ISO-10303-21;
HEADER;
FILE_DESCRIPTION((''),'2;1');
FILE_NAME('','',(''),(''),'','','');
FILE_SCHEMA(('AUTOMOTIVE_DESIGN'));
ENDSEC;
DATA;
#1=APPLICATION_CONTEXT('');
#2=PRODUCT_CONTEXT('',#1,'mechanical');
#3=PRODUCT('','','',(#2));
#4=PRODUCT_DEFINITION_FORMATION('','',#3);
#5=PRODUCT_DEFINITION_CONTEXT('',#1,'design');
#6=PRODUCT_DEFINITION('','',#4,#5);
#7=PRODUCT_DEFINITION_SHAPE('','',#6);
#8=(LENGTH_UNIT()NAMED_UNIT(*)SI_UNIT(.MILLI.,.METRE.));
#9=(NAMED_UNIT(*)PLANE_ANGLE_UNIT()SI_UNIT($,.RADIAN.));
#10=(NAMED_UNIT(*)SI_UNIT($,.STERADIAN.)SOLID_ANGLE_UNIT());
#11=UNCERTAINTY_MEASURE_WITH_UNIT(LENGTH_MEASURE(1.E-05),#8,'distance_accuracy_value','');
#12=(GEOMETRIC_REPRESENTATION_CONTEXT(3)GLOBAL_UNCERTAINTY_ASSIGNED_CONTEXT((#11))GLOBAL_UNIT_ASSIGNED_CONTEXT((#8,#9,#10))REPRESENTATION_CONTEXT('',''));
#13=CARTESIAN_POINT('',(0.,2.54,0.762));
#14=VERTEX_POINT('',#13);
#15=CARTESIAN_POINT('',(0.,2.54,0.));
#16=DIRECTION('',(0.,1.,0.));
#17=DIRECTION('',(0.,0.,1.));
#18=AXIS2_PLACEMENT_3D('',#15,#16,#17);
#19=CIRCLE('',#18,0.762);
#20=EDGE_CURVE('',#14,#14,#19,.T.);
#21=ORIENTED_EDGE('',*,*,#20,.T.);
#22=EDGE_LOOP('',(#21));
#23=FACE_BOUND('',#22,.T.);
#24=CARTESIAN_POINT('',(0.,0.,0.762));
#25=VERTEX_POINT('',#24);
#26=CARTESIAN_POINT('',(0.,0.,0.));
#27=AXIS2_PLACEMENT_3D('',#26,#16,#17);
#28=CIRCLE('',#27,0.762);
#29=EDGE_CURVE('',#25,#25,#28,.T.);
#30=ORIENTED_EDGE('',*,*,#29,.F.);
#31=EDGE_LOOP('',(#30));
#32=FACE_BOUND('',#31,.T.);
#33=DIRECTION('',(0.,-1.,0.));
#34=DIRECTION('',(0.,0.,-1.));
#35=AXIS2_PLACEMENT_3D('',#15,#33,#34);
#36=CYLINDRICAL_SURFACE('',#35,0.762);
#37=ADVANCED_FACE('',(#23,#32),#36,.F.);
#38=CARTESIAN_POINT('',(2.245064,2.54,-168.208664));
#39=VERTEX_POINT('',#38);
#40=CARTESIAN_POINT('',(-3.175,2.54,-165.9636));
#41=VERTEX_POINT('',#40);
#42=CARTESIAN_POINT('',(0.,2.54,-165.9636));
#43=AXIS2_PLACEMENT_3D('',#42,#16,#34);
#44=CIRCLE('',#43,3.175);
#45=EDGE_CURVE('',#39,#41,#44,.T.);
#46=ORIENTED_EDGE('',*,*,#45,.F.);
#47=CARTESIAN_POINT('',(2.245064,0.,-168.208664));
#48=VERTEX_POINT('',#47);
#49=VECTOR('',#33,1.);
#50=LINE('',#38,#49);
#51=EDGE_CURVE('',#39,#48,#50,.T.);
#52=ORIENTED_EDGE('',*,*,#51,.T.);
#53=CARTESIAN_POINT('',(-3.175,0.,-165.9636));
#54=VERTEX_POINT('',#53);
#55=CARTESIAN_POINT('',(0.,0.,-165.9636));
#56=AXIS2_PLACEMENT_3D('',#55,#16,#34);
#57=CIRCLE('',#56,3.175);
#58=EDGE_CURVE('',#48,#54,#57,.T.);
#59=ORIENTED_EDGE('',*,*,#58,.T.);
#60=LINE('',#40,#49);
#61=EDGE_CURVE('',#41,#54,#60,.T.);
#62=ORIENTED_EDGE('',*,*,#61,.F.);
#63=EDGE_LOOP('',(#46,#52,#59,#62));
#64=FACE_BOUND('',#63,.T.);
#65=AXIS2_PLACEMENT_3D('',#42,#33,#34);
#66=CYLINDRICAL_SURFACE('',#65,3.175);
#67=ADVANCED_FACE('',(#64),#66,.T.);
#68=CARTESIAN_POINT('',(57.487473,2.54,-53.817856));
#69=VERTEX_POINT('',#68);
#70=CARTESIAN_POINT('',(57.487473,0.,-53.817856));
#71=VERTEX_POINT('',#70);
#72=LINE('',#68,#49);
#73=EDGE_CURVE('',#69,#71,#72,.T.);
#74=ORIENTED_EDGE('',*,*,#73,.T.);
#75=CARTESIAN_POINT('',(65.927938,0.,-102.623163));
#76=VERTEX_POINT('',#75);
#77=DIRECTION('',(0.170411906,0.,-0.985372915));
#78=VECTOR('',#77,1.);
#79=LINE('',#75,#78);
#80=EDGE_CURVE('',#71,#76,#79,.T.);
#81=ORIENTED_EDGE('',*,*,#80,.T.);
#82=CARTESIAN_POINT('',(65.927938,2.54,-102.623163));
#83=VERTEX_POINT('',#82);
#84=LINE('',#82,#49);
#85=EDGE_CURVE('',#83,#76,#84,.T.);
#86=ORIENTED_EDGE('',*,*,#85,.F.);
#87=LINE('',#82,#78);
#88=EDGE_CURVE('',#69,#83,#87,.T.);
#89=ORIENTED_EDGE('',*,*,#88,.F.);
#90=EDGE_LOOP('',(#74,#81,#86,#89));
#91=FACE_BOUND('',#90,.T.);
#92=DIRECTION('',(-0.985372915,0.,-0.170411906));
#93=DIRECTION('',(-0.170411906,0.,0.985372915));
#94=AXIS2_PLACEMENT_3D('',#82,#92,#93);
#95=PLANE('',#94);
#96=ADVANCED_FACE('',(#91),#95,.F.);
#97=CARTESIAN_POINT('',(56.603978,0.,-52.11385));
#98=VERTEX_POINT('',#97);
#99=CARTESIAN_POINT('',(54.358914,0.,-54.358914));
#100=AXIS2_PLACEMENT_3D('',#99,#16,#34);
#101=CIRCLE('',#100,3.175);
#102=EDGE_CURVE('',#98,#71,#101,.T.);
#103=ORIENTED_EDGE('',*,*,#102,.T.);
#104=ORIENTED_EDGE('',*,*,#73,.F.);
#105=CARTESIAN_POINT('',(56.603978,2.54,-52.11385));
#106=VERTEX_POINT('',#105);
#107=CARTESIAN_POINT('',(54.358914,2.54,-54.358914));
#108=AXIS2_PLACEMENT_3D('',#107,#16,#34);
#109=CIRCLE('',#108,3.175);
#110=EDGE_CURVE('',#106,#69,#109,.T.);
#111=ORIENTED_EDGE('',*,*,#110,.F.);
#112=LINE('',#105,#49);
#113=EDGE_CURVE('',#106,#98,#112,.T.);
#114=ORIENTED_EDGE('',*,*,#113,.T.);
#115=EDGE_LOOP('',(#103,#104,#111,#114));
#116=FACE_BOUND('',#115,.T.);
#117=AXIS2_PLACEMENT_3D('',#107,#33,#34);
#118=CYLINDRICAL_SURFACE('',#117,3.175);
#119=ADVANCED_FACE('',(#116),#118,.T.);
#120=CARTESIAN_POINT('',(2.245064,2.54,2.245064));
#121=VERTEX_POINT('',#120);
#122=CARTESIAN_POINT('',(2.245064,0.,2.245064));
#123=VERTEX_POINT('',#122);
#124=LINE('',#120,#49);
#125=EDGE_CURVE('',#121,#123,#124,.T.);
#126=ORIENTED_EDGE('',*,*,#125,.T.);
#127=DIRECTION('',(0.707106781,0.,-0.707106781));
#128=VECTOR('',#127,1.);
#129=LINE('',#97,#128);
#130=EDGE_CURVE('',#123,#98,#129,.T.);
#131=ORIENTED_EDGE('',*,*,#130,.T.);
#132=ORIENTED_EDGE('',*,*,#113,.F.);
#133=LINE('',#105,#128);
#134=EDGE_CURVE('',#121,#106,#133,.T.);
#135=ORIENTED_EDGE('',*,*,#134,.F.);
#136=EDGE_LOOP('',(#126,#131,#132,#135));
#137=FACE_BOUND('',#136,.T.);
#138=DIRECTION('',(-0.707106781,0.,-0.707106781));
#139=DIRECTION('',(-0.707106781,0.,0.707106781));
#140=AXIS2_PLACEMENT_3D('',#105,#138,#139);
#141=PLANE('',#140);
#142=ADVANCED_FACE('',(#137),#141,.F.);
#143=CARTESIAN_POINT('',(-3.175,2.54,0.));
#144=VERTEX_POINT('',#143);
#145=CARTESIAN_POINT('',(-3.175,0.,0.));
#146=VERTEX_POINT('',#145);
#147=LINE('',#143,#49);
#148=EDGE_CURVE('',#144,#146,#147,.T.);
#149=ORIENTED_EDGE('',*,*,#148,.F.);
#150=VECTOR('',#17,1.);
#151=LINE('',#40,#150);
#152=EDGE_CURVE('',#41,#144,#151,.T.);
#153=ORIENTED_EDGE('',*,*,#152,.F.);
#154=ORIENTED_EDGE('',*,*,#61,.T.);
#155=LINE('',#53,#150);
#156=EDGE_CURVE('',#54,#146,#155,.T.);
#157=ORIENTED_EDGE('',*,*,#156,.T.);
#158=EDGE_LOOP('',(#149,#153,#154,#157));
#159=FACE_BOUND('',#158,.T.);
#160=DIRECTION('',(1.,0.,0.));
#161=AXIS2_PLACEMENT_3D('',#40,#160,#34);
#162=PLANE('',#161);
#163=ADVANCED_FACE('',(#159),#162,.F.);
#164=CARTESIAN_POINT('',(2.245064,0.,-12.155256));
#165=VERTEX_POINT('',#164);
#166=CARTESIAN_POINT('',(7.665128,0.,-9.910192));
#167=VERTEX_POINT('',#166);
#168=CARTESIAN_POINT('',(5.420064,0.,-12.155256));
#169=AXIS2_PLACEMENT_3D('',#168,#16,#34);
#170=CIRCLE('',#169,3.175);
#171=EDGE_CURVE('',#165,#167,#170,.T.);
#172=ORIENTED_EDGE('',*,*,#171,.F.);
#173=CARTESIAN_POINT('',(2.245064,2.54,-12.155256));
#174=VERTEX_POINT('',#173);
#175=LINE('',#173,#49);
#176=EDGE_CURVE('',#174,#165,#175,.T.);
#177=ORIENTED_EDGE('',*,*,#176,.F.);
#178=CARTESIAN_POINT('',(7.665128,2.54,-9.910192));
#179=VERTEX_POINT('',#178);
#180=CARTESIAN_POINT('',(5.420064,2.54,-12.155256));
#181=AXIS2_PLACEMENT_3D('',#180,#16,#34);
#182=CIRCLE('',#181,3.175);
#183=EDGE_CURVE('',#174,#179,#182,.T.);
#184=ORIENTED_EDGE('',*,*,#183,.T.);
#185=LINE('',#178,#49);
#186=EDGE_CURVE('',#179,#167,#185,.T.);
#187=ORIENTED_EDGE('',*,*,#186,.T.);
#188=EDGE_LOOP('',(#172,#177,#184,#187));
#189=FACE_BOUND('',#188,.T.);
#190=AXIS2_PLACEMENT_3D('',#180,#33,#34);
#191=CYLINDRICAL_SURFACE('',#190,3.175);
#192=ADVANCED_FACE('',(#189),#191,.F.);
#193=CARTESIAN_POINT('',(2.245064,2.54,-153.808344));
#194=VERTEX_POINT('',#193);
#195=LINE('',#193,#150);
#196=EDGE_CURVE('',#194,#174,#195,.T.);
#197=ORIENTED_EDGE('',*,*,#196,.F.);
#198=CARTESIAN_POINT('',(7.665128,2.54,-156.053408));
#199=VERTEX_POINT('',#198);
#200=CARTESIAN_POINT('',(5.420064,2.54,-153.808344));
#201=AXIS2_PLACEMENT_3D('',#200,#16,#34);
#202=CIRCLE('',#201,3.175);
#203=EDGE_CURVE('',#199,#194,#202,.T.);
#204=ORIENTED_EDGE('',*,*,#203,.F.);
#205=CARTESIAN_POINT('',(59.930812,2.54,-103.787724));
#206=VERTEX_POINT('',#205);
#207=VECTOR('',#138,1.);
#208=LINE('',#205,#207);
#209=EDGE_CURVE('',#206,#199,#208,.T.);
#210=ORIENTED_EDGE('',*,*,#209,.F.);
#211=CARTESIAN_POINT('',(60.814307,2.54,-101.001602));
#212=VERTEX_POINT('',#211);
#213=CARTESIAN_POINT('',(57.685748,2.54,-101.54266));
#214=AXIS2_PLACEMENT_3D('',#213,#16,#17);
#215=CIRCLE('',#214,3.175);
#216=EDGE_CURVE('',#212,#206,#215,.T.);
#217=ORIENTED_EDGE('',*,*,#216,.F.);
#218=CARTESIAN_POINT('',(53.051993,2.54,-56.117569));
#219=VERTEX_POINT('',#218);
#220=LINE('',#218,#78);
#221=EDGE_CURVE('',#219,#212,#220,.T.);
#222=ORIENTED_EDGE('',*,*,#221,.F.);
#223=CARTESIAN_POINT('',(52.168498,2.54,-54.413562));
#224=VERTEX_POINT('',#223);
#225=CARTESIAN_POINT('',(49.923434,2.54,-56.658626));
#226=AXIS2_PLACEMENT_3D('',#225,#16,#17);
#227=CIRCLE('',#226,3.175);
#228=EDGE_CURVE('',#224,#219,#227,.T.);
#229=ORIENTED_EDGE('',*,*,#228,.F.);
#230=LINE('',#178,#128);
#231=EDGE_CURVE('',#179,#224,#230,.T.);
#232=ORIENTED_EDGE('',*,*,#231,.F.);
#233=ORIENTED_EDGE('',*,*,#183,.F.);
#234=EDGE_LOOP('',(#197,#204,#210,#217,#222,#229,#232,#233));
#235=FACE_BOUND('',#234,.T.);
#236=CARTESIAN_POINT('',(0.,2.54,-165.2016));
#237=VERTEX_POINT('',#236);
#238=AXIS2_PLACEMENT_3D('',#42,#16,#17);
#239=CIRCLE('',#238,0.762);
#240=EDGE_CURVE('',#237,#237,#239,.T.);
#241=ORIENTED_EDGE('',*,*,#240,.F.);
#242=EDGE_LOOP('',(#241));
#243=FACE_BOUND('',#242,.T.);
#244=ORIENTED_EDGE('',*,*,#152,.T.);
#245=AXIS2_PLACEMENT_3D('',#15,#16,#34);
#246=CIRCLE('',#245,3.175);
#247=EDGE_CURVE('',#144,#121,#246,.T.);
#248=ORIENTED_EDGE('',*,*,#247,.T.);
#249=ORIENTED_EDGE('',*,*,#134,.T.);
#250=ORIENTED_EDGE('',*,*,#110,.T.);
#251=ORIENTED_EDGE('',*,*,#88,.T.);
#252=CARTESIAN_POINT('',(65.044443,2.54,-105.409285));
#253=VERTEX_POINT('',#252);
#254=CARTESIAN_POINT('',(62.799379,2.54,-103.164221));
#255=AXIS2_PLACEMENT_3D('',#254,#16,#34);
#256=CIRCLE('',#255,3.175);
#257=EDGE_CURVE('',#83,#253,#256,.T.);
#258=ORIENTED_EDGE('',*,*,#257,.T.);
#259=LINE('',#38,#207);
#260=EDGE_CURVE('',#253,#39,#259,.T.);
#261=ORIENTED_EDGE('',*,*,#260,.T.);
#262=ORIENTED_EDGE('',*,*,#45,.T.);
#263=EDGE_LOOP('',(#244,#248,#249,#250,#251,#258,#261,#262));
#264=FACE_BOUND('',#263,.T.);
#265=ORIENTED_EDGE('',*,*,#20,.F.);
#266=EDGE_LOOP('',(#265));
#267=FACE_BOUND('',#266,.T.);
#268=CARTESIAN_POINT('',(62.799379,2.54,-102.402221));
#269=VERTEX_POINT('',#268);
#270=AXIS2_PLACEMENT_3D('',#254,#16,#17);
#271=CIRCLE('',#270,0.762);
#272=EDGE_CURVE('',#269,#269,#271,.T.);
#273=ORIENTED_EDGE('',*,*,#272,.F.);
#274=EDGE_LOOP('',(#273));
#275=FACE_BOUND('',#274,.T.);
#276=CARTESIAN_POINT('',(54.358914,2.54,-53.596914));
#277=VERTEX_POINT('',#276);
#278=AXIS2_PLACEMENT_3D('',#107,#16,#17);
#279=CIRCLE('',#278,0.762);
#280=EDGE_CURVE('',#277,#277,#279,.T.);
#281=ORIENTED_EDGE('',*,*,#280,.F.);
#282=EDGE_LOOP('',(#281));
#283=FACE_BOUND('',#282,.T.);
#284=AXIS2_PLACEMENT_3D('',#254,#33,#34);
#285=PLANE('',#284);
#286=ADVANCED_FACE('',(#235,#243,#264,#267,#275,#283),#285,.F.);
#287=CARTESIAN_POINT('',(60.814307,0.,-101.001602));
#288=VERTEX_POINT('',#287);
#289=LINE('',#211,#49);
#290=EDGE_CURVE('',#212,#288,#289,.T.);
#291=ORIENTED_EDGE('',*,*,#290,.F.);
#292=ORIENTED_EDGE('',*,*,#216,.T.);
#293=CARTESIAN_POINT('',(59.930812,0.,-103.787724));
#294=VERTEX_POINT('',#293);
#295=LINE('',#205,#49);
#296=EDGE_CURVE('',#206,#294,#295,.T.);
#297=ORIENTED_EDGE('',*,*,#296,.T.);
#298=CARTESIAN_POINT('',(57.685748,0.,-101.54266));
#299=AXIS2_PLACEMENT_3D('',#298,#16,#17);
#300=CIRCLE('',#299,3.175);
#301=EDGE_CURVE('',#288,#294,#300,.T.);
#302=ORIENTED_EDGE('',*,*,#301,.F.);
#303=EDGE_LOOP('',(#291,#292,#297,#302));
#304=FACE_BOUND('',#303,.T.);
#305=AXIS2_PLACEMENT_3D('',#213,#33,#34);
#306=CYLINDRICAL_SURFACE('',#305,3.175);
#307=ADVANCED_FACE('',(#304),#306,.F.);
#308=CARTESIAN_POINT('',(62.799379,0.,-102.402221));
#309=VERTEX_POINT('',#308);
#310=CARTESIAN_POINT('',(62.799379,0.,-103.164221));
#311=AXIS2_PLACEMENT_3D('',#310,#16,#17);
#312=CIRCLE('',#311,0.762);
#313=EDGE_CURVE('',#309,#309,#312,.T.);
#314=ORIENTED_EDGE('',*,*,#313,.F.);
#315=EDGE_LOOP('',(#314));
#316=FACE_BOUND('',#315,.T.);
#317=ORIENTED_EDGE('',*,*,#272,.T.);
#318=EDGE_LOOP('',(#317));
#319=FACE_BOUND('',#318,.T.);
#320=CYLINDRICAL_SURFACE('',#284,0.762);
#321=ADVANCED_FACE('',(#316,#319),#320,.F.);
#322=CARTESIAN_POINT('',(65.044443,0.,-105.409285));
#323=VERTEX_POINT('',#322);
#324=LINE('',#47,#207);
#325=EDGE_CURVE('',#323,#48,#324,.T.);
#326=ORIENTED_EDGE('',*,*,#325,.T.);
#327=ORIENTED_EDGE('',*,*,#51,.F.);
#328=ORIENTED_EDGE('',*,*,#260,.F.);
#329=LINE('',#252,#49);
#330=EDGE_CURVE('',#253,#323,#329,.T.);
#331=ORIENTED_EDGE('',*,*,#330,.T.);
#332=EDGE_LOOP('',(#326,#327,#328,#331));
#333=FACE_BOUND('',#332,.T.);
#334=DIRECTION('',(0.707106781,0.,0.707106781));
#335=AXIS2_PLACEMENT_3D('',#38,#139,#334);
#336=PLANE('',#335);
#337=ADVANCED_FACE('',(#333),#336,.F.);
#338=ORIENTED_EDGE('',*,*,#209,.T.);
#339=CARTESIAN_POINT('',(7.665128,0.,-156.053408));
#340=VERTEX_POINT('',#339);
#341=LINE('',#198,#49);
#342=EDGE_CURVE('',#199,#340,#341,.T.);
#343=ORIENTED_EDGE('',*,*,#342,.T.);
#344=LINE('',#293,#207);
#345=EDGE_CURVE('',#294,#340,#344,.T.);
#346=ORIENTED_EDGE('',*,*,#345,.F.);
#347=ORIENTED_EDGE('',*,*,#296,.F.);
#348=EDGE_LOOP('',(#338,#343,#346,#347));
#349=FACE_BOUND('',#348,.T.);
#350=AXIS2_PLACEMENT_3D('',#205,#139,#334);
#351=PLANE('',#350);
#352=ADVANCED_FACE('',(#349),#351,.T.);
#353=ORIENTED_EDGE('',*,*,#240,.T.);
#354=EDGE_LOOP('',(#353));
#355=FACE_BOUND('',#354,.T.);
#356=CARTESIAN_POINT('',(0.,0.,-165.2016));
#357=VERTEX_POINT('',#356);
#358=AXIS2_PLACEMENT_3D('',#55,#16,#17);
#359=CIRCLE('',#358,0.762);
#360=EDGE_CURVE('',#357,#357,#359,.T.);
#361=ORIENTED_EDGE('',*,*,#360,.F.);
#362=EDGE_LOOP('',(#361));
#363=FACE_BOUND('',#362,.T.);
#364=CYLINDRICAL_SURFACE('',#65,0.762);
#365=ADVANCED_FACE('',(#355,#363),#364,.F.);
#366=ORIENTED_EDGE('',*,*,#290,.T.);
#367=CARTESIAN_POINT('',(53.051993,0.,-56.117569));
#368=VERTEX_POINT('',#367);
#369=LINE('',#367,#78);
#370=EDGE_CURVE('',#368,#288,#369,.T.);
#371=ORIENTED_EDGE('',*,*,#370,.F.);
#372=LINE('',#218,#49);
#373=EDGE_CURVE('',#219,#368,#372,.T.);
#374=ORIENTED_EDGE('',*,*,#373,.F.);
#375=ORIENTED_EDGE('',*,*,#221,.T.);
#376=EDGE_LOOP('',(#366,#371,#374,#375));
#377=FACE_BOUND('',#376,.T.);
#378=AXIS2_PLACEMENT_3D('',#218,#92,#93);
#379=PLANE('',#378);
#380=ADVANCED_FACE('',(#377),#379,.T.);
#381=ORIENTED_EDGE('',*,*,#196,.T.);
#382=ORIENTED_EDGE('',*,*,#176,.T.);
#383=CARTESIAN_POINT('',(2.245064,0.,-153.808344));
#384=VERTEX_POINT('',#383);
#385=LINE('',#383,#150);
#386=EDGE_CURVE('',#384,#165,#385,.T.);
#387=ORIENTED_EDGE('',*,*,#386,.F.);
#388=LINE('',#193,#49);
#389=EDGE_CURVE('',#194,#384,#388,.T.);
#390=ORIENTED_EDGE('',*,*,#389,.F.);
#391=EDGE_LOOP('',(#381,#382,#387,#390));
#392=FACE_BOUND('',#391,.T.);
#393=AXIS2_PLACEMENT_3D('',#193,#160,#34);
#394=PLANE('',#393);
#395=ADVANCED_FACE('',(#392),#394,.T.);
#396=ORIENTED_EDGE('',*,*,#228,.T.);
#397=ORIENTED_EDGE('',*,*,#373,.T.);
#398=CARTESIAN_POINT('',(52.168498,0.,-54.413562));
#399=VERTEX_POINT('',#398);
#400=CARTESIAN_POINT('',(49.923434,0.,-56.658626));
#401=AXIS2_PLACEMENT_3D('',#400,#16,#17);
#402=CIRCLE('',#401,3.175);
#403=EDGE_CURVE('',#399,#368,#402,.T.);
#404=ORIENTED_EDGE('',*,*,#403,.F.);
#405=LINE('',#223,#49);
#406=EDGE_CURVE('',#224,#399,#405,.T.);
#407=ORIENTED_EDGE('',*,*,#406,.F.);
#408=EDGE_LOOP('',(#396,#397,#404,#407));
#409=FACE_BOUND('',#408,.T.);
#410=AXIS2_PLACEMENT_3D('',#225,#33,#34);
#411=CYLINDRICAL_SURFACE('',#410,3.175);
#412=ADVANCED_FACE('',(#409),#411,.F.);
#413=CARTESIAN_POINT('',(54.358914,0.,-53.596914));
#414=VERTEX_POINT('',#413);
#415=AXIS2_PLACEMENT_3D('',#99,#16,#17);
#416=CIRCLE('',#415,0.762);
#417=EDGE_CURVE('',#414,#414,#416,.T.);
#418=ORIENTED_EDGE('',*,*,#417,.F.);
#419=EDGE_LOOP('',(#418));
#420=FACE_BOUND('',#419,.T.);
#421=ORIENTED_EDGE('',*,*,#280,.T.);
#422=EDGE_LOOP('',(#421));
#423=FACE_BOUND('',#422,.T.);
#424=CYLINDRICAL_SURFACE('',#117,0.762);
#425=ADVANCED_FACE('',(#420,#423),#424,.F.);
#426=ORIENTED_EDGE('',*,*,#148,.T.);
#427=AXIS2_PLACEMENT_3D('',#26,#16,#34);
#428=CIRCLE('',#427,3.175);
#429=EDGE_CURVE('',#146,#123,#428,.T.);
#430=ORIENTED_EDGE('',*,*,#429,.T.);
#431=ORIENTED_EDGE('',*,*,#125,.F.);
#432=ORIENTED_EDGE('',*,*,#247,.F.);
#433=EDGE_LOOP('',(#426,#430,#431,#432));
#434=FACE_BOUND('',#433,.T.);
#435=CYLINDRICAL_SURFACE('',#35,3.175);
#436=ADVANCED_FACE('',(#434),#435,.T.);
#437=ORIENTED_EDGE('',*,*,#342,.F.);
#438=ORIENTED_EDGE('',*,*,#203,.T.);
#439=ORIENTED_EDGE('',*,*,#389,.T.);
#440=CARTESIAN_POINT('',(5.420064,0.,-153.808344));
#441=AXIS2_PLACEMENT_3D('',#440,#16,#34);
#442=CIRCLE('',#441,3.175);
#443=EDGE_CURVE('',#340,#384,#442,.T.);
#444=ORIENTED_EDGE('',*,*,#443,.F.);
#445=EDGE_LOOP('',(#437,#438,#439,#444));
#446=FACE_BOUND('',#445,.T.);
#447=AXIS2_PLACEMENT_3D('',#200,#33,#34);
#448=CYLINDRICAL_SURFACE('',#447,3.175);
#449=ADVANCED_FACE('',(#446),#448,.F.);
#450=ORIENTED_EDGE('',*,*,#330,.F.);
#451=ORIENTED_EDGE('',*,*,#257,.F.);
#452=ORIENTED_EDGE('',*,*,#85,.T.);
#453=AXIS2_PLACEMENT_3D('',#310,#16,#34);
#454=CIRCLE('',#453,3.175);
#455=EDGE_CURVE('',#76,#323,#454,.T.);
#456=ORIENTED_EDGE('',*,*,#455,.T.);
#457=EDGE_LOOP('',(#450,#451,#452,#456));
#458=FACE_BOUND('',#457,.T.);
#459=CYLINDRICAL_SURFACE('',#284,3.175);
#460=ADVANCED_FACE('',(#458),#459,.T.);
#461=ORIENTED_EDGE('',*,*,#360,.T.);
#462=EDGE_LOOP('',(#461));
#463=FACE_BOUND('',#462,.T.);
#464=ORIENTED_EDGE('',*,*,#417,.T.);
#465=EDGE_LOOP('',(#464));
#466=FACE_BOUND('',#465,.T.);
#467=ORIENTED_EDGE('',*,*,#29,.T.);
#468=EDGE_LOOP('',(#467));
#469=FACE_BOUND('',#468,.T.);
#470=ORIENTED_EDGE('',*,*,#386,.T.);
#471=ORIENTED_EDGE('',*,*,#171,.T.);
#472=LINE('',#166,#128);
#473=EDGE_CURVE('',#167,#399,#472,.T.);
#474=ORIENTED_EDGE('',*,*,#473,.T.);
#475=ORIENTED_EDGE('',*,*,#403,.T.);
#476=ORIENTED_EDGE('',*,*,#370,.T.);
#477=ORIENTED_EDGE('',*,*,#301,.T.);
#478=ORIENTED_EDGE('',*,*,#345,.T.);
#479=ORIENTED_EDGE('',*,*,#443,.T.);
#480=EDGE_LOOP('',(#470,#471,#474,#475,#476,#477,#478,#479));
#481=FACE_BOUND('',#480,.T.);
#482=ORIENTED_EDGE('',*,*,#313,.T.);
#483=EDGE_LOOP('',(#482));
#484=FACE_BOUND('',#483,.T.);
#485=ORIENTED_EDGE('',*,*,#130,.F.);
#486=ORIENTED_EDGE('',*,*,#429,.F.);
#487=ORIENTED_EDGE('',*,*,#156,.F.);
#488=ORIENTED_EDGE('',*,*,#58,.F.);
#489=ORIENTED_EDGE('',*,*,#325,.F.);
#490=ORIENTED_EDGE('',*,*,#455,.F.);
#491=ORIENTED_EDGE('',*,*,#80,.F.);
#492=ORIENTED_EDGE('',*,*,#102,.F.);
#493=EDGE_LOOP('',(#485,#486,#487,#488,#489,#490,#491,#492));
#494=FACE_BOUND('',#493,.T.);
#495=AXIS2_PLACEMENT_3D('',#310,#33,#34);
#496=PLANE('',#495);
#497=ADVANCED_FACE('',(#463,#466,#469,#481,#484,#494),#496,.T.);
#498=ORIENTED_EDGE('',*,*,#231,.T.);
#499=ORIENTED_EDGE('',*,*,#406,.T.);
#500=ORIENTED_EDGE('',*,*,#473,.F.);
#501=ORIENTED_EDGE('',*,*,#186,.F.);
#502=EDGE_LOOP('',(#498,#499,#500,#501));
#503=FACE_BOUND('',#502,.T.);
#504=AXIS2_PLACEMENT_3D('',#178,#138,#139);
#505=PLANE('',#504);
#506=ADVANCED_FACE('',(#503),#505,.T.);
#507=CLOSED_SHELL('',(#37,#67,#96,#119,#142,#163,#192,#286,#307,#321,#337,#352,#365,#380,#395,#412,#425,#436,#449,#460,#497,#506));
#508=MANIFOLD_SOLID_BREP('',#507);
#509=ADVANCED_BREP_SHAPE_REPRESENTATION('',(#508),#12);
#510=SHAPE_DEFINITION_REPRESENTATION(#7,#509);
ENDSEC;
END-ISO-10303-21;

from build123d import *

# Parameters (mm, degrees)
SKETCH1_R           = 0.762
BOSS_EXTRUDE1_DEPTH = 2.54


with BuildPart() as part:
    # Sketch1 → Boss-Extrude1 (new body)
    with BuildSketch(Plane(origin=(0, 0, 0), x_dir=(1, 0, 0), z_dir=(0, 1, 0))):
        with BuildLine():
            Line((2.24506403, 168.20866403), (65.044442945, 105.409285116))
            ThreePointArc((65.044442945, 105.409285116), (65.825857867, 104.123934663), (65.927937921, 102.623163284))
            Line((65.927937921, 102.623163284), (57.487473144, 53.817856336))
            ThreePointArc((57.487473144, 53.817856336), (57.177577906, 52.897490325), (56.603978168, 52.113850107))
            Line((56.603978168, 52.113850107), (2.24506403, -2.24506403))
            ThreePointArc((2.24506403, -2.24506403), (-1.215019898, -2.933317516), (-3.175, 0))
            Line((-3.175, 0), (-3.175, 165.9636))
            ThreePointArc((-3.175, 165.9636), (-1.215019898, 168.896917516), (2.24506403, 168.20866403))
        make_face()
        with Locations(Location((0, 0, 0), (0, 0, 270))):
            Circle(SKETCH1_R, mode=Mode.SUBTRACT)
        with Locations(Location((54.358914138, 54.358914138, 0), (0, 0, 270))):
            Circle(SKETCH1_R, mode=Mode.SUBTRACT)
        with Locations(Location((62.799378914, 103.164221086, 0), (0, 0, 270))):
            Circle(SKETCH1_R, mode=Mode.SUBTRACT)
        with Locations(Location((0, 165.9636, 0), (0, 0, 270))):
            Circle(SKETCH1_R, mode=Mode.SUBTRACT)
        with BuildLine():
            Line((2.24506403, 153.808343879), (2.24506403, 12.155256121))
            ThreePointArc((2.24506403, 12.155256121), (4.205044133, 9.221938605), (7.665128061, 9.910192091))
            Line((7.665128061, 9.910192091), (52.168498388, 54.413562418))
            ThreePointArc((52.168498388, 54.413562418), (52.742098126, 55.197202636), (53.051993364, 56.117568647))
            Line((53.051993364, 56.117568647), (60.814307068, 101.001602046))
            ThreePointArc((60.814307068, 101.001602046), (60.712227014, 102.502373425), (59.930812092, 103.787723878))
            Line((59.930812092, 103.787723878), (7.665128061, 156.053407909))
            ThreePointArc((7.665128061, 156.053407909), (4.205044133, 156.741661395), (2.24506403, 153.808343879))
        make_face(mode=Mode.SUBTRACT)
    extrude(amount=BOSS_EXTRUDE1_DEPTH)


solid = part.part
